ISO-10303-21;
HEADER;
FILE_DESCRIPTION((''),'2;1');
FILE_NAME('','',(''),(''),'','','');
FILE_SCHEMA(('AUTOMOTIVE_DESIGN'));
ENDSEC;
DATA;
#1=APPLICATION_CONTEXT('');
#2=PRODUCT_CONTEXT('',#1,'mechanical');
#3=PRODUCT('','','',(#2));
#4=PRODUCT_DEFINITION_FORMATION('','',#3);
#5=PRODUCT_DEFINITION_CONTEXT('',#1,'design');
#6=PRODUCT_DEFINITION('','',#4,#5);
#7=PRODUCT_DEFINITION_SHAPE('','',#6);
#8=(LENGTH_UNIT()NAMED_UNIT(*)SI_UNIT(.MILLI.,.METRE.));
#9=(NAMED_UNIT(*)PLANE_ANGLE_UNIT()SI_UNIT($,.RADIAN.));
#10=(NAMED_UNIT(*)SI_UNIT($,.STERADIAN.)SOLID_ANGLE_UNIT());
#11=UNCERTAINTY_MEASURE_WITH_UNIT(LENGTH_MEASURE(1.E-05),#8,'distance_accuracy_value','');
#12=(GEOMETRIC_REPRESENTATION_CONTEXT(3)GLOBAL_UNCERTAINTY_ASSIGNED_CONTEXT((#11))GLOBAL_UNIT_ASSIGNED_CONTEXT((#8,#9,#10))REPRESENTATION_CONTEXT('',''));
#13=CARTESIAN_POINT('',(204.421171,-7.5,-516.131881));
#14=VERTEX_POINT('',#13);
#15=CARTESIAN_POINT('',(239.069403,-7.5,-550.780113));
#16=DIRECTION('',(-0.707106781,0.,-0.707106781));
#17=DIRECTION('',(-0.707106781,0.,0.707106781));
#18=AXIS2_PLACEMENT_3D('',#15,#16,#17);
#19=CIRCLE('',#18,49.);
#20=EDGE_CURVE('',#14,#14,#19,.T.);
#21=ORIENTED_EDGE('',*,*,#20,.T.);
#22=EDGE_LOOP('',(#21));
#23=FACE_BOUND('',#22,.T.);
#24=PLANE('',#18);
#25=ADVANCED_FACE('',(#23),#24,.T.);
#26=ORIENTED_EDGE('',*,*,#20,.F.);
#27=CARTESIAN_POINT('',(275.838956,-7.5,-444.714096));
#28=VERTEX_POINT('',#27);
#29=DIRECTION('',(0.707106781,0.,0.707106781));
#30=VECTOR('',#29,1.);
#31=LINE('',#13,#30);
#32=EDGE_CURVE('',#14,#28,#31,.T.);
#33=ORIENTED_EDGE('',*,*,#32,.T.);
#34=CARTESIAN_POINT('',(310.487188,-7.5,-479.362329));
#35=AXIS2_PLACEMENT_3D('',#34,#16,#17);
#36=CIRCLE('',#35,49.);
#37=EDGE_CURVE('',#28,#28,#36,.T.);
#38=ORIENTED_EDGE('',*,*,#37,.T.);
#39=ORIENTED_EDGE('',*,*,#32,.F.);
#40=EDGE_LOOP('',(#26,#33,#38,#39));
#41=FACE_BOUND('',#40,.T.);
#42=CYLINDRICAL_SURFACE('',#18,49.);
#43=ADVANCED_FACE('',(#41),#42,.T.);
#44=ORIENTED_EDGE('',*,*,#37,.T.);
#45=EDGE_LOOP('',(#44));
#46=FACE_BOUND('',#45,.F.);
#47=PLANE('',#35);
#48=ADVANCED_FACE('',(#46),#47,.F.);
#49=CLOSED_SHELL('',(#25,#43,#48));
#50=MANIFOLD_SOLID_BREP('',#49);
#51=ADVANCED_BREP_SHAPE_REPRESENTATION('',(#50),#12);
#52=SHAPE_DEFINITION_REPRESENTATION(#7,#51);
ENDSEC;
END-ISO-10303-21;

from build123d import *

# Parameters (mm, degrees)
SKETCH1_R           = 49
BOSS_EXTRUDE1_DEPTH = 101


with BuildPart() as part:
    # Sketch1 → Boss-Extrude1 (new body)
    with BuildSketch(Plane(origin=(-155.855354978, 0, -155.855354978), x_dir=(-0.707106781, 0, 0.707106781), z_dir=(-0.707106781, 0, -0.707106781))):
        with Locations((-558.507949545, -7.5)):
            Circle(SKETCH1_R)
    extrude(amount=-BOSS_EXTRUDE1_DEPTH)


solid = part.part
